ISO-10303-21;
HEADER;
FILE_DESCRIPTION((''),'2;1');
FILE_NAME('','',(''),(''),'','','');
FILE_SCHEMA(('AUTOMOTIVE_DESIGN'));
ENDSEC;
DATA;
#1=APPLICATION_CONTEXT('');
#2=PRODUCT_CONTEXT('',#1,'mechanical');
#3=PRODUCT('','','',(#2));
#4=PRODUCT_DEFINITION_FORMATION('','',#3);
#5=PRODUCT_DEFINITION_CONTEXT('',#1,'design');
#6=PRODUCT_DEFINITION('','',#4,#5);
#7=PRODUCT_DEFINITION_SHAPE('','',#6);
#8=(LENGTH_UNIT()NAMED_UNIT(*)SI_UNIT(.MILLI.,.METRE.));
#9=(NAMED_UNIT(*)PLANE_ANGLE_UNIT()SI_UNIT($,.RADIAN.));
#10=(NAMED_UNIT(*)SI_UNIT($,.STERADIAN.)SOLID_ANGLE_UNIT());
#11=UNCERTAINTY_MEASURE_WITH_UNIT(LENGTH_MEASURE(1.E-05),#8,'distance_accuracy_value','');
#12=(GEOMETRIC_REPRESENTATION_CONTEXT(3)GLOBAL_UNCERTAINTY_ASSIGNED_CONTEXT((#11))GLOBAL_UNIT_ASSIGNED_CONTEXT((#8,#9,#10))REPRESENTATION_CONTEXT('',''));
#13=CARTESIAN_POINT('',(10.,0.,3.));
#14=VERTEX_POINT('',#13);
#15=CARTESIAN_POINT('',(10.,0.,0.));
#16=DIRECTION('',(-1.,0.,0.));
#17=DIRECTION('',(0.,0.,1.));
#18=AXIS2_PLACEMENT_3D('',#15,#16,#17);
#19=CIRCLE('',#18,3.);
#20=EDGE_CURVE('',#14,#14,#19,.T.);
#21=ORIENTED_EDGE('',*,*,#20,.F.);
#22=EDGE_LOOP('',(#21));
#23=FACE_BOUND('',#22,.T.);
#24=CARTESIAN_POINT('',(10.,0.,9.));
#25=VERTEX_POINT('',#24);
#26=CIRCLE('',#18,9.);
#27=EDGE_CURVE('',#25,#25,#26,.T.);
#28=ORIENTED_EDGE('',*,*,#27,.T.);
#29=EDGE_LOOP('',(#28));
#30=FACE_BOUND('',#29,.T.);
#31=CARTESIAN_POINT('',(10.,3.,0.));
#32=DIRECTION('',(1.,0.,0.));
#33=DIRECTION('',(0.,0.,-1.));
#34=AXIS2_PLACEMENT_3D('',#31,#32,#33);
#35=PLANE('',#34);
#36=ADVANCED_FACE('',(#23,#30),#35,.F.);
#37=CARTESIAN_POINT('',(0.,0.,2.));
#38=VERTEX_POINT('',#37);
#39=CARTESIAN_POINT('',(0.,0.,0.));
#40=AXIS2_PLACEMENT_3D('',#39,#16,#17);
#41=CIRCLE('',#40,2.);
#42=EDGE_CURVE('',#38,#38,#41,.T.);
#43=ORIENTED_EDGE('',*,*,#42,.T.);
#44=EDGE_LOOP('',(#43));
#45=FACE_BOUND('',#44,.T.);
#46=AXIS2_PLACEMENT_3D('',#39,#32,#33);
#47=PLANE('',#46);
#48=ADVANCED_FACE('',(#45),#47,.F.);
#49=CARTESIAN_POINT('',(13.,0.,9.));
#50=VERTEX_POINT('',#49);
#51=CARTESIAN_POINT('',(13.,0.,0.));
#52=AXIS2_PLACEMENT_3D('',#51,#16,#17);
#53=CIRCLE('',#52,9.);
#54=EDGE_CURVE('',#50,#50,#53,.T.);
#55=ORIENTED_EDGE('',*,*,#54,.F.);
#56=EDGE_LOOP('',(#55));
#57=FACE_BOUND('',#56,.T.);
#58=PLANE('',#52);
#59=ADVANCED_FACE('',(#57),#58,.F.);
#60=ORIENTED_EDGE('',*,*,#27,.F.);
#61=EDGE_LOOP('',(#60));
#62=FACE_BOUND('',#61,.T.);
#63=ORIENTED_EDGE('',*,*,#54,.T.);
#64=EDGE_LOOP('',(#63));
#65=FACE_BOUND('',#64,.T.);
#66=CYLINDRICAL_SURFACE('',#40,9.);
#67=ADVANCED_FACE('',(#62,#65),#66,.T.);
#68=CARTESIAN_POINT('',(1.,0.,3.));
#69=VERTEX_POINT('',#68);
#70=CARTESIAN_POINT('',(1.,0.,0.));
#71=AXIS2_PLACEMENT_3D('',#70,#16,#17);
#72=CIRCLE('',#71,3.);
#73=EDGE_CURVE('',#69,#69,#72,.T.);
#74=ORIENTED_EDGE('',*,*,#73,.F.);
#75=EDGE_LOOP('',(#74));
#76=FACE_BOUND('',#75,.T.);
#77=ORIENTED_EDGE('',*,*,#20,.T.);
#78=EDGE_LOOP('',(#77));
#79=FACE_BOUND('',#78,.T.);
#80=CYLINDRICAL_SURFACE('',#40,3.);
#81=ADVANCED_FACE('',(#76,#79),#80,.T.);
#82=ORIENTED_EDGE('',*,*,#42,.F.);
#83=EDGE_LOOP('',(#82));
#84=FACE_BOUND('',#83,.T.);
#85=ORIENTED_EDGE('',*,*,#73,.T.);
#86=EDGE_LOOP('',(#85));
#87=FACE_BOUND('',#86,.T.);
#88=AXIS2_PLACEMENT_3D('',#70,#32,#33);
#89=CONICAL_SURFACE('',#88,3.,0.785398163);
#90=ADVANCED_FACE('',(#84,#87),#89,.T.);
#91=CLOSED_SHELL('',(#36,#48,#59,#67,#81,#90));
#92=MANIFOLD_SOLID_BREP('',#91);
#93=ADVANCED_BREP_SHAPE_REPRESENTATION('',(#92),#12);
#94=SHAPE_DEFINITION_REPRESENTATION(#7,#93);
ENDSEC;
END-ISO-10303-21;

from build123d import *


with BuildPart() as part:
    # Esquisse1 → Base-Révolution (revolve)
    with BuildSketch(Plane.XY, mode=Mode.PRIVATE) as base_r_volution_sk:
        Polygon((0, 0), (0, 2), (1, 3), (10, 3), (10, 9), (13, 9), (13, 0), align=None)
    revolve(base_r_volution_sk.sketch.rotate(Axis((0, 0, 0), (1, 0, 0)), 90), axis=Axis((0, 0, 0), (1, 0, 0)))


solid = part.part
